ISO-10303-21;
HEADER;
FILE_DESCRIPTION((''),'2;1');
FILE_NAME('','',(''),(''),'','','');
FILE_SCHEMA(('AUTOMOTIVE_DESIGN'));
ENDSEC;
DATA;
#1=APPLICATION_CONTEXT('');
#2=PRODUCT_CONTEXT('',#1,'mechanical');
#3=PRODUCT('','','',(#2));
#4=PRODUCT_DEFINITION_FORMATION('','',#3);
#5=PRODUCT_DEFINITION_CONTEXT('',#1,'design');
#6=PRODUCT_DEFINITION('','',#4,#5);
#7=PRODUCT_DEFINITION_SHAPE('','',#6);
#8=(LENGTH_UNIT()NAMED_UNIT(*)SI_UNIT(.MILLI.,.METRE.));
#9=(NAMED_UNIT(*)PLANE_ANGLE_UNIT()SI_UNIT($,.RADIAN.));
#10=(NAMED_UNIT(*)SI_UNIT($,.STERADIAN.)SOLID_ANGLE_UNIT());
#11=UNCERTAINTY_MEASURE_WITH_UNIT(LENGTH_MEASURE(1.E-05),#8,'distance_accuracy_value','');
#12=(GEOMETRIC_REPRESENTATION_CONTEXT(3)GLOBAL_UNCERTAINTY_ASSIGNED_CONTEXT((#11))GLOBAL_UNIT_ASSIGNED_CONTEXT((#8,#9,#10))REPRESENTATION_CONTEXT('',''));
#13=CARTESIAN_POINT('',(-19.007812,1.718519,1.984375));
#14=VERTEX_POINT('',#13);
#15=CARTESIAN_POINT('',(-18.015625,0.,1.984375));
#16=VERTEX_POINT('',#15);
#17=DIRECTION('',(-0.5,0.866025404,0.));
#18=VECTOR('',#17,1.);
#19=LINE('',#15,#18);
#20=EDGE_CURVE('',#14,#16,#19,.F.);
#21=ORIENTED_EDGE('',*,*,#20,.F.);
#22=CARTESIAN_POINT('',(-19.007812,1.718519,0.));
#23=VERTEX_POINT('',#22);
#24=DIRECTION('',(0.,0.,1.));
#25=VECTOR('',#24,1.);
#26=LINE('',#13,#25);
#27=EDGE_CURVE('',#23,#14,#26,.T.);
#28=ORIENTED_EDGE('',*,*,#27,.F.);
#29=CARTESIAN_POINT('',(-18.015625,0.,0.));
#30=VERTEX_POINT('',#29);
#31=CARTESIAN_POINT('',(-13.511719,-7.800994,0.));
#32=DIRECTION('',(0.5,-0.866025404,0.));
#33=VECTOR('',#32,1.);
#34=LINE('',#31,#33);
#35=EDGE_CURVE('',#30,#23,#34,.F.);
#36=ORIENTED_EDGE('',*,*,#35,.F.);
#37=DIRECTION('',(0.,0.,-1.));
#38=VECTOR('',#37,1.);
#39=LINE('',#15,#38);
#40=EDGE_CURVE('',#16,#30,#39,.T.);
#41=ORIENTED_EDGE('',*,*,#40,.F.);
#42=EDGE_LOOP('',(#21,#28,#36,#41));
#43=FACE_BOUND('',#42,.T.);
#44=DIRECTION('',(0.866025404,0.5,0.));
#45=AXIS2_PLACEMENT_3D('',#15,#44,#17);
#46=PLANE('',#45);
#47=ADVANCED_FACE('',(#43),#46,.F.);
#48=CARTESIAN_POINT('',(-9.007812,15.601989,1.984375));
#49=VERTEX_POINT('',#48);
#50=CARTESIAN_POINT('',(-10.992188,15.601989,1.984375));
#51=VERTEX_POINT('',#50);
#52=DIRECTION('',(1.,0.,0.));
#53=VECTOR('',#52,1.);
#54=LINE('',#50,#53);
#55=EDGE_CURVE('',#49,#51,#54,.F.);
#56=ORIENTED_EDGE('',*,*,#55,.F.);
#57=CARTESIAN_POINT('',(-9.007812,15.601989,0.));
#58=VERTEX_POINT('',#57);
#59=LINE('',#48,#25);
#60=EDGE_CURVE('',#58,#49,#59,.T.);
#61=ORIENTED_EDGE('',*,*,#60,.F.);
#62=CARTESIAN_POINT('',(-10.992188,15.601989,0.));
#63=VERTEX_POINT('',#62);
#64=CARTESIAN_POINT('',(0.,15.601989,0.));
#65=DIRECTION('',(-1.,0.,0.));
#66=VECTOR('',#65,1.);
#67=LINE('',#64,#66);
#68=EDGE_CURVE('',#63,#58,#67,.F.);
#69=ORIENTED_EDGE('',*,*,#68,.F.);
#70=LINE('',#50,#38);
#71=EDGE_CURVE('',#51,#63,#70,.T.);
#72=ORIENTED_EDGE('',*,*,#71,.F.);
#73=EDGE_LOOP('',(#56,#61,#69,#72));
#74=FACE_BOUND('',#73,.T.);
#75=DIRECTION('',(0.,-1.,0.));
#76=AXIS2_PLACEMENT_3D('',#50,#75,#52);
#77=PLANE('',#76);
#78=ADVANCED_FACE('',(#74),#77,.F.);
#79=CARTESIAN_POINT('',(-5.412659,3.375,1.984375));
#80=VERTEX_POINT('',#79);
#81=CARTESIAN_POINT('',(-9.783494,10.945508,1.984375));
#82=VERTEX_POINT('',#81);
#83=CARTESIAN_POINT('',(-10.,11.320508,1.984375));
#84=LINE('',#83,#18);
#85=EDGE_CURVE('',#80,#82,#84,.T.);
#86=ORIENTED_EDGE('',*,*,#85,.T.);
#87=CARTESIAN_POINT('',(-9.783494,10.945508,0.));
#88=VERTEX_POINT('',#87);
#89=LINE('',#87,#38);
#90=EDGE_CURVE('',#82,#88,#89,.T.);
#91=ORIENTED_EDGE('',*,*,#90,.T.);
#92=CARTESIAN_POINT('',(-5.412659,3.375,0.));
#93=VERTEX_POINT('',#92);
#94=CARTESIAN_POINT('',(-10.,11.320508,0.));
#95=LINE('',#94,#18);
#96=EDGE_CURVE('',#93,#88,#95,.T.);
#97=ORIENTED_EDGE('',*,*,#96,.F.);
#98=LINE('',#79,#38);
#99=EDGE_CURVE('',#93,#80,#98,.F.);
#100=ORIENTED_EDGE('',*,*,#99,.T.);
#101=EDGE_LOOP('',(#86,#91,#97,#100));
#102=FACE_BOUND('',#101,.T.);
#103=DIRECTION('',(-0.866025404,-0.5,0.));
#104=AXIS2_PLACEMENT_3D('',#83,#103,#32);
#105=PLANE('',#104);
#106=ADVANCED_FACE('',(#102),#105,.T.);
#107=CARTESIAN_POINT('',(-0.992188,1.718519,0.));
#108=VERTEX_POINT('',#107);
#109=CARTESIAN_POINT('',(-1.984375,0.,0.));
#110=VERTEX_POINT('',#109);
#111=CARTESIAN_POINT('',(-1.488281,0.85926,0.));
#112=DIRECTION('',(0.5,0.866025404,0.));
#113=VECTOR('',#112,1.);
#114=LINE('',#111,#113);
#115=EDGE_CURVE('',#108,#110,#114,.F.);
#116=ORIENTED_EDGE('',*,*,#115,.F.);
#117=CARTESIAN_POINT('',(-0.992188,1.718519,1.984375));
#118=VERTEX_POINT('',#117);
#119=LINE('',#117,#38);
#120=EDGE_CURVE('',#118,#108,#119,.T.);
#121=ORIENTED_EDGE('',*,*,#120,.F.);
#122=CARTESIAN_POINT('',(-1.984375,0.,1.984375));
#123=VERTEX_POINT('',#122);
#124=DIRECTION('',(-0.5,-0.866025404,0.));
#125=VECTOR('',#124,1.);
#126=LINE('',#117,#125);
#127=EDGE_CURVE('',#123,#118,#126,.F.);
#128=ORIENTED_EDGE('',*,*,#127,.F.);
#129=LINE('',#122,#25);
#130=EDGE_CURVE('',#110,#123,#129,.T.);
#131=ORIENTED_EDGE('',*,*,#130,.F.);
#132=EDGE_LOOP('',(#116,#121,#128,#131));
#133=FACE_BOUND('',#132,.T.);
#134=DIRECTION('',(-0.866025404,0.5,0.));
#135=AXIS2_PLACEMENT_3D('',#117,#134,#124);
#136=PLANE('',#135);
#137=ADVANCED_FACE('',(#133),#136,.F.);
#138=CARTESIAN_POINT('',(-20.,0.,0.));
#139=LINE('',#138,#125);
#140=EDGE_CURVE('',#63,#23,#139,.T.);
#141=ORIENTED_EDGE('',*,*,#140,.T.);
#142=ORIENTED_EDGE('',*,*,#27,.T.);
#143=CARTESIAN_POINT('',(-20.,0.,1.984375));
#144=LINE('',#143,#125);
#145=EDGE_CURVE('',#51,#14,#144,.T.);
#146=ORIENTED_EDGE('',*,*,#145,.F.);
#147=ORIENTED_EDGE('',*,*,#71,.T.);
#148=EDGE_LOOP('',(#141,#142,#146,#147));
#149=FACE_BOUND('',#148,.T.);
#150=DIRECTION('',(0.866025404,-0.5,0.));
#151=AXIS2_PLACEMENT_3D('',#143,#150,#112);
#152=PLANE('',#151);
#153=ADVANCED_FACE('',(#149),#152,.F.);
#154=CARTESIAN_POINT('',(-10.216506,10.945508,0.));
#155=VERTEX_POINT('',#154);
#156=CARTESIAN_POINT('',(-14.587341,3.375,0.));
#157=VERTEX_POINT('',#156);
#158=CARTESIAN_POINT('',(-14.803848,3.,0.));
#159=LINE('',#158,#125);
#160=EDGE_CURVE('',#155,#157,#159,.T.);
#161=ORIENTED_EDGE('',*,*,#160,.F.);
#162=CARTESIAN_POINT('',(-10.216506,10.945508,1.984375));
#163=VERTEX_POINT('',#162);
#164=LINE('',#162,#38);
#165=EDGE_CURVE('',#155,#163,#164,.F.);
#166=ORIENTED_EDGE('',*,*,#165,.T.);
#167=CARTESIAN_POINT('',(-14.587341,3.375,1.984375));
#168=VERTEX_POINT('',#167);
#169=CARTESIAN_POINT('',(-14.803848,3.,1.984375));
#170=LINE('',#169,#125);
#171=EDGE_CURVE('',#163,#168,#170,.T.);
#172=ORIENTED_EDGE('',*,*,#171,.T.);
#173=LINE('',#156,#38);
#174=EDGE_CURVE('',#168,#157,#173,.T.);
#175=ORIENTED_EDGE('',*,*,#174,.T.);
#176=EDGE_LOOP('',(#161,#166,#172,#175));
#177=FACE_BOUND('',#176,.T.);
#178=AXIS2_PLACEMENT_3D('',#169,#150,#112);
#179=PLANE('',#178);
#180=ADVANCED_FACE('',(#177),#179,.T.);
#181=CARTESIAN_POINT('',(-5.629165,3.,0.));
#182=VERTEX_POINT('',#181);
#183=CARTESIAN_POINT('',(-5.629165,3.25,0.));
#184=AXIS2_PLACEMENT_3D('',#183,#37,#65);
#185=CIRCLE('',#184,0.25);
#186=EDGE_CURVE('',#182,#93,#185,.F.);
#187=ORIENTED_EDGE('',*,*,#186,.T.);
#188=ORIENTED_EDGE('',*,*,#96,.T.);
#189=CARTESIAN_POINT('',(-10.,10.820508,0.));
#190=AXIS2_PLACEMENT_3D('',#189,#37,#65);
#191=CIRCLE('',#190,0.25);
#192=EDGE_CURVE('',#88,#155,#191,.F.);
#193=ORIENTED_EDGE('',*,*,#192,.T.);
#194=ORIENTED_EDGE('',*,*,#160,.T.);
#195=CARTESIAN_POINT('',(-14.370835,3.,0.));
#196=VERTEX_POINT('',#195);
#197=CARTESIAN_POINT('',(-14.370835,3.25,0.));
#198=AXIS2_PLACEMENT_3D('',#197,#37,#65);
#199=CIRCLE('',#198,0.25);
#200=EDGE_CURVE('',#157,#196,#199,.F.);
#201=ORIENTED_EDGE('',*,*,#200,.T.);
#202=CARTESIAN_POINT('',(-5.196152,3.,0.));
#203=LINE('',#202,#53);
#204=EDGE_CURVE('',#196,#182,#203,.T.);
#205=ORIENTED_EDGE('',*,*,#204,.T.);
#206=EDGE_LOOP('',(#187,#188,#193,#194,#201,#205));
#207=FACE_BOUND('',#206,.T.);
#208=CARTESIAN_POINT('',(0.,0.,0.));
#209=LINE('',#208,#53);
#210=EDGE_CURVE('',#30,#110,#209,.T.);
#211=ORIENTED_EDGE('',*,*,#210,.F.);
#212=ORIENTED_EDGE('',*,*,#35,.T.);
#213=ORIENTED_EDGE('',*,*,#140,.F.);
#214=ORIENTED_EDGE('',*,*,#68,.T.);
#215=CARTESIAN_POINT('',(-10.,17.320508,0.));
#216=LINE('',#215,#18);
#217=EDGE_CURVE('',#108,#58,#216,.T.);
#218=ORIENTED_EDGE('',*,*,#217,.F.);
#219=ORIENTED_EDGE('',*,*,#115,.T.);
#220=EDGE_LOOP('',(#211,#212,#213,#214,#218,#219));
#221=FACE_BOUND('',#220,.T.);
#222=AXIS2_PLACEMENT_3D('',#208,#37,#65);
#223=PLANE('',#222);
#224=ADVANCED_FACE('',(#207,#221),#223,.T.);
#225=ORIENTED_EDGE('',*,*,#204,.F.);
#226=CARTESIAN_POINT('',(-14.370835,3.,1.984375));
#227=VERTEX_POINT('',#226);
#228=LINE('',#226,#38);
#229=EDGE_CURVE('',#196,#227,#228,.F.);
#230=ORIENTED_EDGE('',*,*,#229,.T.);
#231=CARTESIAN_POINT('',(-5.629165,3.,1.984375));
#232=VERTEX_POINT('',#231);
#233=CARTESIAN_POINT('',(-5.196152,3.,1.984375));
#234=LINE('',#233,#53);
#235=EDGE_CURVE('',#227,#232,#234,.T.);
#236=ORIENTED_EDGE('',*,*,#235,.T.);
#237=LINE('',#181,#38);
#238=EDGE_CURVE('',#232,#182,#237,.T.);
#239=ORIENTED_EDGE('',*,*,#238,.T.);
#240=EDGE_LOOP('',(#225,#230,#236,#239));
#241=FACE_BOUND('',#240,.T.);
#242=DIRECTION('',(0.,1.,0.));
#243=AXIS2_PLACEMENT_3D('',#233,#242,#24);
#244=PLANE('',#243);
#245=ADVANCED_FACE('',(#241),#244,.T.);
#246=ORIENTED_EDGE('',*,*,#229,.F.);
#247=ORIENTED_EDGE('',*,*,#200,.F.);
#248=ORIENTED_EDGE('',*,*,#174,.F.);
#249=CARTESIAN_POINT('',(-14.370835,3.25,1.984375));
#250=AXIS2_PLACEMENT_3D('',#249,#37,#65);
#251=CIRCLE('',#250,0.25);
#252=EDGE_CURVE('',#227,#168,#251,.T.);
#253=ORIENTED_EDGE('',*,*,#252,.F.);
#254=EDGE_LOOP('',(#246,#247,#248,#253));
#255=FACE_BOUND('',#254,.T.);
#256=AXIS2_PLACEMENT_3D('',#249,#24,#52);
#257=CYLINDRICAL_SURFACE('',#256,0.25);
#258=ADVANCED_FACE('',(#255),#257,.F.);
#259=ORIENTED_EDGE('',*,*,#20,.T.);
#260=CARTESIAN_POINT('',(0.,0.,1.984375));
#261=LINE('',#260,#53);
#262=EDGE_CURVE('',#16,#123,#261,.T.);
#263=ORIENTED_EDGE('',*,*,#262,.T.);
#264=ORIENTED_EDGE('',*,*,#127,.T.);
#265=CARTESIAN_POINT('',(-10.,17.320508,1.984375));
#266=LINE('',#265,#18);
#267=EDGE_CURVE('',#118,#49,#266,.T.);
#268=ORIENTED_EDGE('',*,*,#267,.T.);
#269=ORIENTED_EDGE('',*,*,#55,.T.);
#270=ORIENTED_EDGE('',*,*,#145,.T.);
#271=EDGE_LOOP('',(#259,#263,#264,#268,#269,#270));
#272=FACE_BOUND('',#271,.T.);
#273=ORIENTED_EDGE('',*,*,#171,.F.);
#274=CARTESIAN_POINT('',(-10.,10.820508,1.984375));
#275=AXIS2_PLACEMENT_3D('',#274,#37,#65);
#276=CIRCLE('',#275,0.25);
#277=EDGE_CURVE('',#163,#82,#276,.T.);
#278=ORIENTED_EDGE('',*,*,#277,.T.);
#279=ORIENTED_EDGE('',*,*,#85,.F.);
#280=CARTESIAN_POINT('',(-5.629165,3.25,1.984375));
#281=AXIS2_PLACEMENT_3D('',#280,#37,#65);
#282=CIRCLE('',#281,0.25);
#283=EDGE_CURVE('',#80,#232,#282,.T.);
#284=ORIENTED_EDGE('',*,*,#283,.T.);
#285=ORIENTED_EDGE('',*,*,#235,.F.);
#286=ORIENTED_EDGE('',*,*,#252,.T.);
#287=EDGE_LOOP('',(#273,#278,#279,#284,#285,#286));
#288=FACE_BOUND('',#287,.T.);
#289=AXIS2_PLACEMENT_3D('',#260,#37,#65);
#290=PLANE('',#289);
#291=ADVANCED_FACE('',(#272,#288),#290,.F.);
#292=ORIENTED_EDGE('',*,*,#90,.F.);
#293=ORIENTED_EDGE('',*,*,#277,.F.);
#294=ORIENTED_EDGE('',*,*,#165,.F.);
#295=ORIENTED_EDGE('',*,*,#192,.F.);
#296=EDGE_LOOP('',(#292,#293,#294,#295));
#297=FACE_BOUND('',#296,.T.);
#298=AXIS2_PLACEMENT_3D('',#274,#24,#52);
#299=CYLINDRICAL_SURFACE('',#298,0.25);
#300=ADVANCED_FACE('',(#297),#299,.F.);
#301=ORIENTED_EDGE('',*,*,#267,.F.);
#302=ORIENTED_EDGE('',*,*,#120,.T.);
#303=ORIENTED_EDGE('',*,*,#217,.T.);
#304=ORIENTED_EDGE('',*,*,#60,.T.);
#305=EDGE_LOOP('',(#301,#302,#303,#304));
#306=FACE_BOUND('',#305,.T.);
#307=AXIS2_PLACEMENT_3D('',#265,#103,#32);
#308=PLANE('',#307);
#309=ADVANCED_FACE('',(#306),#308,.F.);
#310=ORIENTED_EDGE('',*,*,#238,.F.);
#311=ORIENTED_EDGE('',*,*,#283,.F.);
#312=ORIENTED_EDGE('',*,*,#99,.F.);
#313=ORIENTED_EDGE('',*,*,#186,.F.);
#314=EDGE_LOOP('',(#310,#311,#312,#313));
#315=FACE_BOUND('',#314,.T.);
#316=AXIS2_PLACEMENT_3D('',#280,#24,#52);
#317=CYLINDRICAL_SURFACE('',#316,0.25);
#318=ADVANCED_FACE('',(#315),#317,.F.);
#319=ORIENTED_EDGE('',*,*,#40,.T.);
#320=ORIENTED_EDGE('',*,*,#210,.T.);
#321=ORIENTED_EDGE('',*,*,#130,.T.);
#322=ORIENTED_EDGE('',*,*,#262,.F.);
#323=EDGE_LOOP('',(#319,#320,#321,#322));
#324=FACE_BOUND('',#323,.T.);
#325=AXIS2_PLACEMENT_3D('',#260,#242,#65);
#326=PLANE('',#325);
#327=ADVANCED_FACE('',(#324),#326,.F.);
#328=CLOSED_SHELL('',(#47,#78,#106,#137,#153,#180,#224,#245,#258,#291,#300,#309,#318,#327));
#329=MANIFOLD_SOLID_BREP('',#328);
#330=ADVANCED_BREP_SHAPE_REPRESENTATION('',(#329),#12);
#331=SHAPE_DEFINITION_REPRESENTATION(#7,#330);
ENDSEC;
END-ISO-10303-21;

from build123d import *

# Parameters (mm, degrees)
BOSS_EXTRUDE1_DEPTH = 1.984375
CHAMFER2_SIZE       = 1.984375
CHAMFER4_SIZE       = 1.984375
CHAMFER5_SIZE       = 1.984375
FILLET1_R           = 0.25


with BuildPart() as part:
    # Sketch1 → Boss-Extrude1 (new body)
    with BuildSketch(Plane.XY):
        Polygon((0, 0), (-20, 0), (-10, 17.320508076), align=None)
        Polygon((-14.803847577, 3), (-10, 11.320508076), (-5.196152423, 3), align=None, mode=Mode.SUBTRACT)
    extrude(amount=BOSS_EXTRUDE1_DEPTH)

    # Chamfer2
    chamfer2_edges = [part.edges().sort_by_distance(p)[0] for p in [
        (-20, 0, 0.9921875),
    ]]
    chamfer(chamfer2_edges, length=CHAMFER2_SIZE)

    # Chamfer4
    chamfer4_edges = [part.edges().sort_by_distance(p)[0] for p in [
        (0, 0, 0.9921875),
    ]]
    chamfer(chamfer4_edges, length=CHAMFER4_SIZE)

    # Chamfer5
    chamfer5_edges = [part.edges().sort_by_distance(p)[0] for p in [
        (-10, 17.320508076, 0.9921875),
    ]]
    chamfer(chamfer5_edges, length=CHAMFER5_SIZE)

    # Fillet1
    fillet1_edges = [part.edges().sort_by_distance(p)[0] for p in [
        (-14.803847577, 3, 0.9921875),
        (-5.196152423, 3, 0.9921875),
        (-10, 11.320508076, 0.9921875),
    ]]
    fillet(fillet1_edges, radius=FILLET1_R)


solid = part.part
